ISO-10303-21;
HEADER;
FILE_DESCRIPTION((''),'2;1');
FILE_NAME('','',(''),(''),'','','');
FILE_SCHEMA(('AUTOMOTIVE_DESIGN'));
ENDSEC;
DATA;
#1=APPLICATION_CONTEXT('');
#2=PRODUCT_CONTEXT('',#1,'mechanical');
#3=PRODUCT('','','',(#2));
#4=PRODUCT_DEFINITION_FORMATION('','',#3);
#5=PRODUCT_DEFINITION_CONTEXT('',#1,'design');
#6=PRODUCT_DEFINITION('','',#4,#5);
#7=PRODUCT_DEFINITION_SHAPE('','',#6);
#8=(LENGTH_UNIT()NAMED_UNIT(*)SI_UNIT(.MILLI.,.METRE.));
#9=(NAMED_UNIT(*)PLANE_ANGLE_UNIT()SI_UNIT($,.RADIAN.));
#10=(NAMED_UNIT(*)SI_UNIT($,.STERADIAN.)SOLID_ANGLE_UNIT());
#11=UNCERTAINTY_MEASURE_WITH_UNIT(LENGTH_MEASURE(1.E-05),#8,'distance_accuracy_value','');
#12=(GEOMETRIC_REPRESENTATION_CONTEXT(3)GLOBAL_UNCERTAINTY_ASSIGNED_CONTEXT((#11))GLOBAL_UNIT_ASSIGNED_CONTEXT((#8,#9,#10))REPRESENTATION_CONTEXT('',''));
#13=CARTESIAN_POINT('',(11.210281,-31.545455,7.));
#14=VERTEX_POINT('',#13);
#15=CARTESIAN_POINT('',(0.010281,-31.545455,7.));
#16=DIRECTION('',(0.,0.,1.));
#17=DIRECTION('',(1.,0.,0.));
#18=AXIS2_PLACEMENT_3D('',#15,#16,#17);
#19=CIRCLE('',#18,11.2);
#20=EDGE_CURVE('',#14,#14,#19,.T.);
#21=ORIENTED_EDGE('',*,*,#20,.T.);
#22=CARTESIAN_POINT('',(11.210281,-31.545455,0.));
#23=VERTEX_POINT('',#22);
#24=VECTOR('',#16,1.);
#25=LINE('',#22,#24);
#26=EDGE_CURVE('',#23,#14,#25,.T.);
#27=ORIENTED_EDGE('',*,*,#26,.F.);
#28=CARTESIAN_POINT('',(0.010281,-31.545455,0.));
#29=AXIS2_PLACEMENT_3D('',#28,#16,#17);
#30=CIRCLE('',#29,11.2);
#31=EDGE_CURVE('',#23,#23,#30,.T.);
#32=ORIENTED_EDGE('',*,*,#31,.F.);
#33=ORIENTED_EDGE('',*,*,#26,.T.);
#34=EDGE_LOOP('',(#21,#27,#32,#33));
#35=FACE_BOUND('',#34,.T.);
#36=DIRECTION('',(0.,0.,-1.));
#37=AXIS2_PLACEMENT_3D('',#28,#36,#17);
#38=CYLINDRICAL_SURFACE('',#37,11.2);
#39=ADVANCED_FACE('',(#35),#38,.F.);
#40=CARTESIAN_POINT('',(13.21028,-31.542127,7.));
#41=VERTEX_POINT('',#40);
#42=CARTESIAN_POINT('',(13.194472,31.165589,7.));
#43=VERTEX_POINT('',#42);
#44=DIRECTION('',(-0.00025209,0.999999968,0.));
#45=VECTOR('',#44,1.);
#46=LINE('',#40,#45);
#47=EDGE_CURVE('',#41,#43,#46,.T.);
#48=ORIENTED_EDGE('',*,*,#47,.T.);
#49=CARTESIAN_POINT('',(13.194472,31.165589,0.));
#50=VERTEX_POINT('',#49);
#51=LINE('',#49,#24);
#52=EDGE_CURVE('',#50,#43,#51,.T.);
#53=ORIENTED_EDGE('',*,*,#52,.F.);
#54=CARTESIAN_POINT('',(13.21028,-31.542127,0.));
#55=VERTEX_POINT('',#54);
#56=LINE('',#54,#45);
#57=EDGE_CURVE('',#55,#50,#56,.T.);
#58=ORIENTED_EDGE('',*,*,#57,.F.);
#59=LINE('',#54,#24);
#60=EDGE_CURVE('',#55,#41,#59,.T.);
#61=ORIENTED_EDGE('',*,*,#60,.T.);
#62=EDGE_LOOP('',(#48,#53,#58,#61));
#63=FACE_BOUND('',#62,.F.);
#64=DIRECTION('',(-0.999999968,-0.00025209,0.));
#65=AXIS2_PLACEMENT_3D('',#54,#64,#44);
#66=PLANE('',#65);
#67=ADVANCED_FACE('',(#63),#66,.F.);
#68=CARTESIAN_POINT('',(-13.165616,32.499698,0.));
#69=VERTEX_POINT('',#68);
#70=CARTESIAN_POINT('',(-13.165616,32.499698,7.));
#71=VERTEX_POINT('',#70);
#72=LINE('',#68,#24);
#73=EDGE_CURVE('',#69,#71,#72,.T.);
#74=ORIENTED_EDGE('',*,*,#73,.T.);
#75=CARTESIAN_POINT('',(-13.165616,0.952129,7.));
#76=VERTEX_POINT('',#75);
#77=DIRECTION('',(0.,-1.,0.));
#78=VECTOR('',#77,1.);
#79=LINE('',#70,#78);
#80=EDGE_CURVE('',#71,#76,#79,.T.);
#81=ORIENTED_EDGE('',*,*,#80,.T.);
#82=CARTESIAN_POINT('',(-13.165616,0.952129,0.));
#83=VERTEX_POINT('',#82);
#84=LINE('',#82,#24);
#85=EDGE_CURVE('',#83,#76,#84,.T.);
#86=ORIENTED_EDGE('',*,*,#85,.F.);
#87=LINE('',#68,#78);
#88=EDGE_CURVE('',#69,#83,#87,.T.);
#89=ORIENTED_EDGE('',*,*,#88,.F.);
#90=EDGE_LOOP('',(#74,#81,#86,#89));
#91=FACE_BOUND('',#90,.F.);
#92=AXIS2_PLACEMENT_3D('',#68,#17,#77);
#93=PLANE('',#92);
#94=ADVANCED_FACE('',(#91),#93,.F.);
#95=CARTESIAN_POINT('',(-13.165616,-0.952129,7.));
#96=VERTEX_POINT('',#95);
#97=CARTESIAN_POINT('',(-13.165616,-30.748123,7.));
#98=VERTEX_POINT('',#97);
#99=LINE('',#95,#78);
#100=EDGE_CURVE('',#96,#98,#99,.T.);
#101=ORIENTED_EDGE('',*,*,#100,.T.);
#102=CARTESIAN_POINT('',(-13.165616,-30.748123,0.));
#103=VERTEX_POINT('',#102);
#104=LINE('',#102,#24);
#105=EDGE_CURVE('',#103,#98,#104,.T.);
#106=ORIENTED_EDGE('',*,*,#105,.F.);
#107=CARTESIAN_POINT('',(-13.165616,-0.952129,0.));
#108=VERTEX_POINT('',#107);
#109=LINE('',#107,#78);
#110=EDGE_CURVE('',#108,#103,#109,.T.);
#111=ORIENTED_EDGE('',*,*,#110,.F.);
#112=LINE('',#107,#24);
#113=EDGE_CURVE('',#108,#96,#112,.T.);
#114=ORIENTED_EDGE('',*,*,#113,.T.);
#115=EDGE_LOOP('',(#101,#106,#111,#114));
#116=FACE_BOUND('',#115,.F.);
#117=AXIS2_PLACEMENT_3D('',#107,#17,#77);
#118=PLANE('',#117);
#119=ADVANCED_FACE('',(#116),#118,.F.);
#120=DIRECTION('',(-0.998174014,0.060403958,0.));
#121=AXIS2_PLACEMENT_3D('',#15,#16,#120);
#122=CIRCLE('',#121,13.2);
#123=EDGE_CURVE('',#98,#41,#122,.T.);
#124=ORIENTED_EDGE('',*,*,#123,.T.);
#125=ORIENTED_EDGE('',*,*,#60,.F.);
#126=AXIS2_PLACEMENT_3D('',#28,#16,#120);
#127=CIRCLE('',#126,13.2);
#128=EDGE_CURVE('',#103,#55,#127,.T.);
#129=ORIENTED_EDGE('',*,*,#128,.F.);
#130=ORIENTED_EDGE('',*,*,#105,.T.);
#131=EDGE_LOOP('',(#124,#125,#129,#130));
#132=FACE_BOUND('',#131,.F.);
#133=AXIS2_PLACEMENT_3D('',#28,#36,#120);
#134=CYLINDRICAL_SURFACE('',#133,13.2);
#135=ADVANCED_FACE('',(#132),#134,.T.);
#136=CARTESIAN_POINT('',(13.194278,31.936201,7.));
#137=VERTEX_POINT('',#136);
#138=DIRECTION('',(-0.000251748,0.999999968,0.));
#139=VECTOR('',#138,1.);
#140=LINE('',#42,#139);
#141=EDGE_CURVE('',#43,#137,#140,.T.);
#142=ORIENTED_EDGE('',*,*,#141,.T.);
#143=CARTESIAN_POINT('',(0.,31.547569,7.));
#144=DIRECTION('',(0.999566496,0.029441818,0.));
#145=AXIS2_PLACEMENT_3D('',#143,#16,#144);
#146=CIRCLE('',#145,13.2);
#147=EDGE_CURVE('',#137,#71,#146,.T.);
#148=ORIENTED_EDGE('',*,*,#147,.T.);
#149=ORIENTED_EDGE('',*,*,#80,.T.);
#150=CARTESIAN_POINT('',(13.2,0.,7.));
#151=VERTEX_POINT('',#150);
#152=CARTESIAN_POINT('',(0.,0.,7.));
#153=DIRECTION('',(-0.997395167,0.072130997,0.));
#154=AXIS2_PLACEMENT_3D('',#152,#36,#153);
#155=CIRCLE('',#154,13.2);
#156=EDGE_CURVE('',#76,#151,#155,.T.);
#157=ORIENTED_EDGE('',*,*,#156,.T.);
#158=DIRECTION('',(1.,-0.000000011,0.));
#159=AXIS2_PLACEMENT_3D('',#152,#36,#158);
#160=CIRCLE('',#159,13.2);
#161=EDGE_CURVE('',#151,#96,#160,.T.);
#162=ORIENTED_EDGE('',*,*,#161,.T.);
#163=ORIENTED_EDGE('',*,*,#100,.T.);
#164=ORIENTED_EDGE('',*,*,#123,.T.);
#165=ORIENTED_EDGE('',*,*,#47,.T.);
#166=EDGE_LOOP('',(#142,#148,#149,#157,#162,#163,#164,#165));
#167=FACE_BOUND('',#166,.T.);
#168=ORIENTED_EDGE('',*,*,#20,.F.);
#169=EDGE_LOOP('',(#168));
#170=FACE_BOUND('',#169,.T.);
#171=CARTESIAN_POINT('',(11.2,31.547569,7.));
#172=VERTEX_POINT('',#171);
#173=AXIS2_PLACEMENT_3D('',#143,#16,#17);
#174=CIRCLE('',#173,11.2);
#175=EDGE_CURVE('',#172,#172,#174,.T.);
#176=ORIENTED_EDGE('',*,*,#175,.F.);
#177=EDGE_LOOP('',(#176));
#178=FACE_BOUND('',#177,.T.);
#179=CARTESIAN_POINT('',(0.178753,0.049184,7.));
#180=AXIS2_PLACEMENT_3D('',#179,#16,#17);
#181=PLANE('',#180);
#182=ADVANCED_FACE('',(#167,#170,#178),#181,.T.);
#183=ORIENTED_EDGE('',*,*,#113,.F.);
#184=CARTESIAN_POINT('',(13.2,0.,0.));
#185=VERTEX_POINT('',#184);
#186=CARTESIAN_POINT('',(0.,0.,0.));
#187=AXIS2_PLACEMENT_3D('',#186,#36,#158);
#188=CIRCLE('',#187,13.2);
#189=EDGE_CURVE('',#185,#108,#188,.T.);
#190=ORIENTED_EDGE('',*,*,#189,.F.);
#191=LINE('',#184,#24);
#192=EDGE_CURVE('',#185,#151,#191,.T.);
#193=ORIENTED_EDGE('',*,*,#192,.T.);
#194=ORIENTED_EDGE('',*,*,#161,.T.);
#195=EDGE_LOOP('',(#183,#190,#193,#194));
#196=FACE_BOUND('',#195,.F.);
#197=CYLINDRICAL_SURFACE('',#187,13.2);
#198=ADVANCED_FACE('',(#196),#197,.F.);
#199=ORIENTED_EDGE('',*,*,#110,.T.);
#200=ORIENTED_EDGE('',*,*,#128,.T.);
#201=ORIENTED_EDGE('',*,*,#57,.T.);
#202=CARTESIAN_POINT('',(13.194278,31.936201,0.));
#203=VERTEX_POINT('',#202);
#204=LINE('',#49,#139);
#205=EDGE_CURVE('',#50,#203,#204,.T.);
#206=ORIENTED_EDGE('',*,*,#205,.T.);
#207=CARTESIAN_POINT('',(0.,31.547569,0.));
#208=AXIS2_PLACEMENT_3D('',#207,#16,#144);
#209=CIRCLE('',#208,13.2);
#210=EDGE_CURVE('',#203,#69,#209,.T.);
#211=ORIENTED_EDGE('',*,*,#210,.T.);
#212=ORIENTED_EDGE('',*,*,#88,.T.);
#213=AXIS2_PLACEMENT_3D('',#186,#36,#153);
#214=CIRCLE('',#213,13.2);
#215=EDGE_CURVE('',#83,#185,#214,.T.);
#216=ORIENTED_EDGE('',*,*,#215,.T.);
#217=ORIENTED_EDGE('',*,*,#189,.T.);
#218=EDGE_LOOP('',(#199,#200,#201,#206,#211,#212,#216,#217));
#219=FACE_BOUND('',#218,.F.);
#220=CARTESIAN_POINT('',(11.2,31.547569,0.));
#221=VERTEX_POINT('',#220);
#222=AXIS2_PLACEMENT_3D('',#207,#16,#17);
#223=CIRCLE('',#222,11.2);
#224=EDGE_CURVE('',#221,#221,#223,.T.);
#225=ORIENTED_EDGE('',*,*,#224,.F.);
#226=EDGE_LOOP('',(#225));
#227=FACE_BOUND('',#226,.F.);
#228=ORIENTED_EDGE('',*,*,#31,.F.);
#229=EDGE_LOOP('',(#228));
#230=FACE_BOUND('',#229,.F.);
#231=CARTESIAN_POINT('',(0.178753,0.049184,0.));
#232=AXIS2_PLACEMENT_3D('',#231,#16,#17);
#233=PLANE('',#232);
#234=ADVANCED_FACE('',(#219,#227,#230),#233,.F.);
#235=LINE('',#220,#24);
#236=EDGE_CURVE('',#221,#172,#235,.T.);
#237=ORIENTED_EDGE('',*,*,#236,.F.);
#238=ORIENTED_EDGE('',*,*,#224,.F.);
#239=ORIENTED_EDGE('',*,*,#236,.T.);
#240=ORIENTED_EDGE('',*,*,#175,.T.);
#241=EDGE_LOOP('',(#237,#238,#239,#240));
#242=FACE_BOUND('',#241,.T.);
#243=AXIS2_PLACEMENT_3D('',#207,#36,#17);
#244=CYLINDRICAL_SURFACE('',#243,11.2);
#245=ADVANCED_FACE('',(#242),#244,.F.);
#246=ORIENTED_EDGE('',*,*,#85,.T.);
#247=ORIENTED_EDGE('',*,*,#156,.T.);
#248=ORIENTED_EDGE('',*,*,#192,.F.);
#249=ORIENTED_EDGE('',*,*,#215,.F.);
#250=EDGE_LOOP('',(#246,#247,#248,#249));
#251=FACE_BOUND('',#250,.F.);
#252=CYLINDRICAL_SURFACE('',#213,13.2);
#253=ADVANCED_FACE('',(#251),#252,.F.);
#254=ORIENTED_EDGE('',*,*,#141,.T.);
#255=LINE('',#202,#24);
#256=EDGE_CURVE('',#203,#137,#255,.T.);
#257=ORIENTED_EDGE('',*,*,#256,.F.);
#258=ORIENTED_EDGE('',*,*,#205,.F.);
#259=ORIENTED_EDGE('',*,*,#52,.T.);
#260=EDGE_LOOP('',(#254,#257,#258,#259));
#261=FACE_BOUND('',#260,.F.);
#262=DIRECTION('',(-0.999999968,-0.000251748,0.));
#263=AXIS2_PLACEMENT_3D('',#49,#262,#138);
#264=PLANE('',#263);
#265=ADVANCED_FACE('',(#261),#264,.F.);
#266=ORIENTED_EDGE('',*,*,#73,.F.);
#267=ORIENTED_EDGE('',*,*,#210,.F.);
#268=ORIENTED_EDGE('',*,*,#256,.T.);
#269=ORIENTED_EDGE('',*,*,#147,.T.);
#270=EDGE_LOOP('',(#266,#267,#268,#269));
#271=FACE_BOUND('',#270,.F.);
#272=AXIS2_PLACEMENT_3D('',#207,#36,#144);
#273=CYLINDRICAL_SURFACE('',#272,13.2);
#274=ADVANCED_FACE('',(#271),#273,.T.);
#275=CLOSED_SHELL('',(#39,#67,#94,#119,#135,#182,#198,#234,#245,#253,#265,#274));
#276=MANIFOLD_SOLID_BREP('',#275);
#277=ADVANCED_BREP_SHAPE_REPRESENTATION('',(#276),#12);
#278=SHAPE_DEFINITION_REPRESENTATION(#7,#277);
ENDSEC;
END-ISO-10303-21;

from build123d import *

# Parameters (mm, degrees)
F0_R     = 11.2
F1_DEPTH = 7


with BuildPart() as f1:
    # F0 (on Top) → F1 (new body)
    with BuildSketch(Plane.XY):
        with BuildLine():
            ThreePointArc((-13.165616, 0.952129), (0.476375, 13.191401), (13.2, 0))
            ThreePointArc((13.2, 0), (0.476375, -13.191401), (-13.165616, -0.952129))
            Line((-13.165616, -0.952129), (-13.165616, -30.748123))
            ThreePointArc((-13.165616, -30.748123), (-0.386904, -44.739478), (13.21028, -31.542127))
            Line((13.21028, -31.542127), (13.194472, 31.165589))
            Line((13.194472, 31.165589), (13.194278, 31.936201))
            ThreePointArc((13.194278, 31.936201), (0.282113, 44.744554), (-13.165616, 32.499698))
            Line((-13.165616, 32.499698), (-13.165616, 30.59544))
            Line((-13.165616, 30.59544), (-13.165616, 0.952129))
        make_face()
        with Locations((0.010281, -31.545455)):
            Circle(F0_R, mode=Mode.SUBTRACT)
        with Locations((0, 31.547569)):
            Circle(F0_R, mode=Mode.SUBTRACT)
    extrude(amount=F1_DEPTH)


solid = f1.part
